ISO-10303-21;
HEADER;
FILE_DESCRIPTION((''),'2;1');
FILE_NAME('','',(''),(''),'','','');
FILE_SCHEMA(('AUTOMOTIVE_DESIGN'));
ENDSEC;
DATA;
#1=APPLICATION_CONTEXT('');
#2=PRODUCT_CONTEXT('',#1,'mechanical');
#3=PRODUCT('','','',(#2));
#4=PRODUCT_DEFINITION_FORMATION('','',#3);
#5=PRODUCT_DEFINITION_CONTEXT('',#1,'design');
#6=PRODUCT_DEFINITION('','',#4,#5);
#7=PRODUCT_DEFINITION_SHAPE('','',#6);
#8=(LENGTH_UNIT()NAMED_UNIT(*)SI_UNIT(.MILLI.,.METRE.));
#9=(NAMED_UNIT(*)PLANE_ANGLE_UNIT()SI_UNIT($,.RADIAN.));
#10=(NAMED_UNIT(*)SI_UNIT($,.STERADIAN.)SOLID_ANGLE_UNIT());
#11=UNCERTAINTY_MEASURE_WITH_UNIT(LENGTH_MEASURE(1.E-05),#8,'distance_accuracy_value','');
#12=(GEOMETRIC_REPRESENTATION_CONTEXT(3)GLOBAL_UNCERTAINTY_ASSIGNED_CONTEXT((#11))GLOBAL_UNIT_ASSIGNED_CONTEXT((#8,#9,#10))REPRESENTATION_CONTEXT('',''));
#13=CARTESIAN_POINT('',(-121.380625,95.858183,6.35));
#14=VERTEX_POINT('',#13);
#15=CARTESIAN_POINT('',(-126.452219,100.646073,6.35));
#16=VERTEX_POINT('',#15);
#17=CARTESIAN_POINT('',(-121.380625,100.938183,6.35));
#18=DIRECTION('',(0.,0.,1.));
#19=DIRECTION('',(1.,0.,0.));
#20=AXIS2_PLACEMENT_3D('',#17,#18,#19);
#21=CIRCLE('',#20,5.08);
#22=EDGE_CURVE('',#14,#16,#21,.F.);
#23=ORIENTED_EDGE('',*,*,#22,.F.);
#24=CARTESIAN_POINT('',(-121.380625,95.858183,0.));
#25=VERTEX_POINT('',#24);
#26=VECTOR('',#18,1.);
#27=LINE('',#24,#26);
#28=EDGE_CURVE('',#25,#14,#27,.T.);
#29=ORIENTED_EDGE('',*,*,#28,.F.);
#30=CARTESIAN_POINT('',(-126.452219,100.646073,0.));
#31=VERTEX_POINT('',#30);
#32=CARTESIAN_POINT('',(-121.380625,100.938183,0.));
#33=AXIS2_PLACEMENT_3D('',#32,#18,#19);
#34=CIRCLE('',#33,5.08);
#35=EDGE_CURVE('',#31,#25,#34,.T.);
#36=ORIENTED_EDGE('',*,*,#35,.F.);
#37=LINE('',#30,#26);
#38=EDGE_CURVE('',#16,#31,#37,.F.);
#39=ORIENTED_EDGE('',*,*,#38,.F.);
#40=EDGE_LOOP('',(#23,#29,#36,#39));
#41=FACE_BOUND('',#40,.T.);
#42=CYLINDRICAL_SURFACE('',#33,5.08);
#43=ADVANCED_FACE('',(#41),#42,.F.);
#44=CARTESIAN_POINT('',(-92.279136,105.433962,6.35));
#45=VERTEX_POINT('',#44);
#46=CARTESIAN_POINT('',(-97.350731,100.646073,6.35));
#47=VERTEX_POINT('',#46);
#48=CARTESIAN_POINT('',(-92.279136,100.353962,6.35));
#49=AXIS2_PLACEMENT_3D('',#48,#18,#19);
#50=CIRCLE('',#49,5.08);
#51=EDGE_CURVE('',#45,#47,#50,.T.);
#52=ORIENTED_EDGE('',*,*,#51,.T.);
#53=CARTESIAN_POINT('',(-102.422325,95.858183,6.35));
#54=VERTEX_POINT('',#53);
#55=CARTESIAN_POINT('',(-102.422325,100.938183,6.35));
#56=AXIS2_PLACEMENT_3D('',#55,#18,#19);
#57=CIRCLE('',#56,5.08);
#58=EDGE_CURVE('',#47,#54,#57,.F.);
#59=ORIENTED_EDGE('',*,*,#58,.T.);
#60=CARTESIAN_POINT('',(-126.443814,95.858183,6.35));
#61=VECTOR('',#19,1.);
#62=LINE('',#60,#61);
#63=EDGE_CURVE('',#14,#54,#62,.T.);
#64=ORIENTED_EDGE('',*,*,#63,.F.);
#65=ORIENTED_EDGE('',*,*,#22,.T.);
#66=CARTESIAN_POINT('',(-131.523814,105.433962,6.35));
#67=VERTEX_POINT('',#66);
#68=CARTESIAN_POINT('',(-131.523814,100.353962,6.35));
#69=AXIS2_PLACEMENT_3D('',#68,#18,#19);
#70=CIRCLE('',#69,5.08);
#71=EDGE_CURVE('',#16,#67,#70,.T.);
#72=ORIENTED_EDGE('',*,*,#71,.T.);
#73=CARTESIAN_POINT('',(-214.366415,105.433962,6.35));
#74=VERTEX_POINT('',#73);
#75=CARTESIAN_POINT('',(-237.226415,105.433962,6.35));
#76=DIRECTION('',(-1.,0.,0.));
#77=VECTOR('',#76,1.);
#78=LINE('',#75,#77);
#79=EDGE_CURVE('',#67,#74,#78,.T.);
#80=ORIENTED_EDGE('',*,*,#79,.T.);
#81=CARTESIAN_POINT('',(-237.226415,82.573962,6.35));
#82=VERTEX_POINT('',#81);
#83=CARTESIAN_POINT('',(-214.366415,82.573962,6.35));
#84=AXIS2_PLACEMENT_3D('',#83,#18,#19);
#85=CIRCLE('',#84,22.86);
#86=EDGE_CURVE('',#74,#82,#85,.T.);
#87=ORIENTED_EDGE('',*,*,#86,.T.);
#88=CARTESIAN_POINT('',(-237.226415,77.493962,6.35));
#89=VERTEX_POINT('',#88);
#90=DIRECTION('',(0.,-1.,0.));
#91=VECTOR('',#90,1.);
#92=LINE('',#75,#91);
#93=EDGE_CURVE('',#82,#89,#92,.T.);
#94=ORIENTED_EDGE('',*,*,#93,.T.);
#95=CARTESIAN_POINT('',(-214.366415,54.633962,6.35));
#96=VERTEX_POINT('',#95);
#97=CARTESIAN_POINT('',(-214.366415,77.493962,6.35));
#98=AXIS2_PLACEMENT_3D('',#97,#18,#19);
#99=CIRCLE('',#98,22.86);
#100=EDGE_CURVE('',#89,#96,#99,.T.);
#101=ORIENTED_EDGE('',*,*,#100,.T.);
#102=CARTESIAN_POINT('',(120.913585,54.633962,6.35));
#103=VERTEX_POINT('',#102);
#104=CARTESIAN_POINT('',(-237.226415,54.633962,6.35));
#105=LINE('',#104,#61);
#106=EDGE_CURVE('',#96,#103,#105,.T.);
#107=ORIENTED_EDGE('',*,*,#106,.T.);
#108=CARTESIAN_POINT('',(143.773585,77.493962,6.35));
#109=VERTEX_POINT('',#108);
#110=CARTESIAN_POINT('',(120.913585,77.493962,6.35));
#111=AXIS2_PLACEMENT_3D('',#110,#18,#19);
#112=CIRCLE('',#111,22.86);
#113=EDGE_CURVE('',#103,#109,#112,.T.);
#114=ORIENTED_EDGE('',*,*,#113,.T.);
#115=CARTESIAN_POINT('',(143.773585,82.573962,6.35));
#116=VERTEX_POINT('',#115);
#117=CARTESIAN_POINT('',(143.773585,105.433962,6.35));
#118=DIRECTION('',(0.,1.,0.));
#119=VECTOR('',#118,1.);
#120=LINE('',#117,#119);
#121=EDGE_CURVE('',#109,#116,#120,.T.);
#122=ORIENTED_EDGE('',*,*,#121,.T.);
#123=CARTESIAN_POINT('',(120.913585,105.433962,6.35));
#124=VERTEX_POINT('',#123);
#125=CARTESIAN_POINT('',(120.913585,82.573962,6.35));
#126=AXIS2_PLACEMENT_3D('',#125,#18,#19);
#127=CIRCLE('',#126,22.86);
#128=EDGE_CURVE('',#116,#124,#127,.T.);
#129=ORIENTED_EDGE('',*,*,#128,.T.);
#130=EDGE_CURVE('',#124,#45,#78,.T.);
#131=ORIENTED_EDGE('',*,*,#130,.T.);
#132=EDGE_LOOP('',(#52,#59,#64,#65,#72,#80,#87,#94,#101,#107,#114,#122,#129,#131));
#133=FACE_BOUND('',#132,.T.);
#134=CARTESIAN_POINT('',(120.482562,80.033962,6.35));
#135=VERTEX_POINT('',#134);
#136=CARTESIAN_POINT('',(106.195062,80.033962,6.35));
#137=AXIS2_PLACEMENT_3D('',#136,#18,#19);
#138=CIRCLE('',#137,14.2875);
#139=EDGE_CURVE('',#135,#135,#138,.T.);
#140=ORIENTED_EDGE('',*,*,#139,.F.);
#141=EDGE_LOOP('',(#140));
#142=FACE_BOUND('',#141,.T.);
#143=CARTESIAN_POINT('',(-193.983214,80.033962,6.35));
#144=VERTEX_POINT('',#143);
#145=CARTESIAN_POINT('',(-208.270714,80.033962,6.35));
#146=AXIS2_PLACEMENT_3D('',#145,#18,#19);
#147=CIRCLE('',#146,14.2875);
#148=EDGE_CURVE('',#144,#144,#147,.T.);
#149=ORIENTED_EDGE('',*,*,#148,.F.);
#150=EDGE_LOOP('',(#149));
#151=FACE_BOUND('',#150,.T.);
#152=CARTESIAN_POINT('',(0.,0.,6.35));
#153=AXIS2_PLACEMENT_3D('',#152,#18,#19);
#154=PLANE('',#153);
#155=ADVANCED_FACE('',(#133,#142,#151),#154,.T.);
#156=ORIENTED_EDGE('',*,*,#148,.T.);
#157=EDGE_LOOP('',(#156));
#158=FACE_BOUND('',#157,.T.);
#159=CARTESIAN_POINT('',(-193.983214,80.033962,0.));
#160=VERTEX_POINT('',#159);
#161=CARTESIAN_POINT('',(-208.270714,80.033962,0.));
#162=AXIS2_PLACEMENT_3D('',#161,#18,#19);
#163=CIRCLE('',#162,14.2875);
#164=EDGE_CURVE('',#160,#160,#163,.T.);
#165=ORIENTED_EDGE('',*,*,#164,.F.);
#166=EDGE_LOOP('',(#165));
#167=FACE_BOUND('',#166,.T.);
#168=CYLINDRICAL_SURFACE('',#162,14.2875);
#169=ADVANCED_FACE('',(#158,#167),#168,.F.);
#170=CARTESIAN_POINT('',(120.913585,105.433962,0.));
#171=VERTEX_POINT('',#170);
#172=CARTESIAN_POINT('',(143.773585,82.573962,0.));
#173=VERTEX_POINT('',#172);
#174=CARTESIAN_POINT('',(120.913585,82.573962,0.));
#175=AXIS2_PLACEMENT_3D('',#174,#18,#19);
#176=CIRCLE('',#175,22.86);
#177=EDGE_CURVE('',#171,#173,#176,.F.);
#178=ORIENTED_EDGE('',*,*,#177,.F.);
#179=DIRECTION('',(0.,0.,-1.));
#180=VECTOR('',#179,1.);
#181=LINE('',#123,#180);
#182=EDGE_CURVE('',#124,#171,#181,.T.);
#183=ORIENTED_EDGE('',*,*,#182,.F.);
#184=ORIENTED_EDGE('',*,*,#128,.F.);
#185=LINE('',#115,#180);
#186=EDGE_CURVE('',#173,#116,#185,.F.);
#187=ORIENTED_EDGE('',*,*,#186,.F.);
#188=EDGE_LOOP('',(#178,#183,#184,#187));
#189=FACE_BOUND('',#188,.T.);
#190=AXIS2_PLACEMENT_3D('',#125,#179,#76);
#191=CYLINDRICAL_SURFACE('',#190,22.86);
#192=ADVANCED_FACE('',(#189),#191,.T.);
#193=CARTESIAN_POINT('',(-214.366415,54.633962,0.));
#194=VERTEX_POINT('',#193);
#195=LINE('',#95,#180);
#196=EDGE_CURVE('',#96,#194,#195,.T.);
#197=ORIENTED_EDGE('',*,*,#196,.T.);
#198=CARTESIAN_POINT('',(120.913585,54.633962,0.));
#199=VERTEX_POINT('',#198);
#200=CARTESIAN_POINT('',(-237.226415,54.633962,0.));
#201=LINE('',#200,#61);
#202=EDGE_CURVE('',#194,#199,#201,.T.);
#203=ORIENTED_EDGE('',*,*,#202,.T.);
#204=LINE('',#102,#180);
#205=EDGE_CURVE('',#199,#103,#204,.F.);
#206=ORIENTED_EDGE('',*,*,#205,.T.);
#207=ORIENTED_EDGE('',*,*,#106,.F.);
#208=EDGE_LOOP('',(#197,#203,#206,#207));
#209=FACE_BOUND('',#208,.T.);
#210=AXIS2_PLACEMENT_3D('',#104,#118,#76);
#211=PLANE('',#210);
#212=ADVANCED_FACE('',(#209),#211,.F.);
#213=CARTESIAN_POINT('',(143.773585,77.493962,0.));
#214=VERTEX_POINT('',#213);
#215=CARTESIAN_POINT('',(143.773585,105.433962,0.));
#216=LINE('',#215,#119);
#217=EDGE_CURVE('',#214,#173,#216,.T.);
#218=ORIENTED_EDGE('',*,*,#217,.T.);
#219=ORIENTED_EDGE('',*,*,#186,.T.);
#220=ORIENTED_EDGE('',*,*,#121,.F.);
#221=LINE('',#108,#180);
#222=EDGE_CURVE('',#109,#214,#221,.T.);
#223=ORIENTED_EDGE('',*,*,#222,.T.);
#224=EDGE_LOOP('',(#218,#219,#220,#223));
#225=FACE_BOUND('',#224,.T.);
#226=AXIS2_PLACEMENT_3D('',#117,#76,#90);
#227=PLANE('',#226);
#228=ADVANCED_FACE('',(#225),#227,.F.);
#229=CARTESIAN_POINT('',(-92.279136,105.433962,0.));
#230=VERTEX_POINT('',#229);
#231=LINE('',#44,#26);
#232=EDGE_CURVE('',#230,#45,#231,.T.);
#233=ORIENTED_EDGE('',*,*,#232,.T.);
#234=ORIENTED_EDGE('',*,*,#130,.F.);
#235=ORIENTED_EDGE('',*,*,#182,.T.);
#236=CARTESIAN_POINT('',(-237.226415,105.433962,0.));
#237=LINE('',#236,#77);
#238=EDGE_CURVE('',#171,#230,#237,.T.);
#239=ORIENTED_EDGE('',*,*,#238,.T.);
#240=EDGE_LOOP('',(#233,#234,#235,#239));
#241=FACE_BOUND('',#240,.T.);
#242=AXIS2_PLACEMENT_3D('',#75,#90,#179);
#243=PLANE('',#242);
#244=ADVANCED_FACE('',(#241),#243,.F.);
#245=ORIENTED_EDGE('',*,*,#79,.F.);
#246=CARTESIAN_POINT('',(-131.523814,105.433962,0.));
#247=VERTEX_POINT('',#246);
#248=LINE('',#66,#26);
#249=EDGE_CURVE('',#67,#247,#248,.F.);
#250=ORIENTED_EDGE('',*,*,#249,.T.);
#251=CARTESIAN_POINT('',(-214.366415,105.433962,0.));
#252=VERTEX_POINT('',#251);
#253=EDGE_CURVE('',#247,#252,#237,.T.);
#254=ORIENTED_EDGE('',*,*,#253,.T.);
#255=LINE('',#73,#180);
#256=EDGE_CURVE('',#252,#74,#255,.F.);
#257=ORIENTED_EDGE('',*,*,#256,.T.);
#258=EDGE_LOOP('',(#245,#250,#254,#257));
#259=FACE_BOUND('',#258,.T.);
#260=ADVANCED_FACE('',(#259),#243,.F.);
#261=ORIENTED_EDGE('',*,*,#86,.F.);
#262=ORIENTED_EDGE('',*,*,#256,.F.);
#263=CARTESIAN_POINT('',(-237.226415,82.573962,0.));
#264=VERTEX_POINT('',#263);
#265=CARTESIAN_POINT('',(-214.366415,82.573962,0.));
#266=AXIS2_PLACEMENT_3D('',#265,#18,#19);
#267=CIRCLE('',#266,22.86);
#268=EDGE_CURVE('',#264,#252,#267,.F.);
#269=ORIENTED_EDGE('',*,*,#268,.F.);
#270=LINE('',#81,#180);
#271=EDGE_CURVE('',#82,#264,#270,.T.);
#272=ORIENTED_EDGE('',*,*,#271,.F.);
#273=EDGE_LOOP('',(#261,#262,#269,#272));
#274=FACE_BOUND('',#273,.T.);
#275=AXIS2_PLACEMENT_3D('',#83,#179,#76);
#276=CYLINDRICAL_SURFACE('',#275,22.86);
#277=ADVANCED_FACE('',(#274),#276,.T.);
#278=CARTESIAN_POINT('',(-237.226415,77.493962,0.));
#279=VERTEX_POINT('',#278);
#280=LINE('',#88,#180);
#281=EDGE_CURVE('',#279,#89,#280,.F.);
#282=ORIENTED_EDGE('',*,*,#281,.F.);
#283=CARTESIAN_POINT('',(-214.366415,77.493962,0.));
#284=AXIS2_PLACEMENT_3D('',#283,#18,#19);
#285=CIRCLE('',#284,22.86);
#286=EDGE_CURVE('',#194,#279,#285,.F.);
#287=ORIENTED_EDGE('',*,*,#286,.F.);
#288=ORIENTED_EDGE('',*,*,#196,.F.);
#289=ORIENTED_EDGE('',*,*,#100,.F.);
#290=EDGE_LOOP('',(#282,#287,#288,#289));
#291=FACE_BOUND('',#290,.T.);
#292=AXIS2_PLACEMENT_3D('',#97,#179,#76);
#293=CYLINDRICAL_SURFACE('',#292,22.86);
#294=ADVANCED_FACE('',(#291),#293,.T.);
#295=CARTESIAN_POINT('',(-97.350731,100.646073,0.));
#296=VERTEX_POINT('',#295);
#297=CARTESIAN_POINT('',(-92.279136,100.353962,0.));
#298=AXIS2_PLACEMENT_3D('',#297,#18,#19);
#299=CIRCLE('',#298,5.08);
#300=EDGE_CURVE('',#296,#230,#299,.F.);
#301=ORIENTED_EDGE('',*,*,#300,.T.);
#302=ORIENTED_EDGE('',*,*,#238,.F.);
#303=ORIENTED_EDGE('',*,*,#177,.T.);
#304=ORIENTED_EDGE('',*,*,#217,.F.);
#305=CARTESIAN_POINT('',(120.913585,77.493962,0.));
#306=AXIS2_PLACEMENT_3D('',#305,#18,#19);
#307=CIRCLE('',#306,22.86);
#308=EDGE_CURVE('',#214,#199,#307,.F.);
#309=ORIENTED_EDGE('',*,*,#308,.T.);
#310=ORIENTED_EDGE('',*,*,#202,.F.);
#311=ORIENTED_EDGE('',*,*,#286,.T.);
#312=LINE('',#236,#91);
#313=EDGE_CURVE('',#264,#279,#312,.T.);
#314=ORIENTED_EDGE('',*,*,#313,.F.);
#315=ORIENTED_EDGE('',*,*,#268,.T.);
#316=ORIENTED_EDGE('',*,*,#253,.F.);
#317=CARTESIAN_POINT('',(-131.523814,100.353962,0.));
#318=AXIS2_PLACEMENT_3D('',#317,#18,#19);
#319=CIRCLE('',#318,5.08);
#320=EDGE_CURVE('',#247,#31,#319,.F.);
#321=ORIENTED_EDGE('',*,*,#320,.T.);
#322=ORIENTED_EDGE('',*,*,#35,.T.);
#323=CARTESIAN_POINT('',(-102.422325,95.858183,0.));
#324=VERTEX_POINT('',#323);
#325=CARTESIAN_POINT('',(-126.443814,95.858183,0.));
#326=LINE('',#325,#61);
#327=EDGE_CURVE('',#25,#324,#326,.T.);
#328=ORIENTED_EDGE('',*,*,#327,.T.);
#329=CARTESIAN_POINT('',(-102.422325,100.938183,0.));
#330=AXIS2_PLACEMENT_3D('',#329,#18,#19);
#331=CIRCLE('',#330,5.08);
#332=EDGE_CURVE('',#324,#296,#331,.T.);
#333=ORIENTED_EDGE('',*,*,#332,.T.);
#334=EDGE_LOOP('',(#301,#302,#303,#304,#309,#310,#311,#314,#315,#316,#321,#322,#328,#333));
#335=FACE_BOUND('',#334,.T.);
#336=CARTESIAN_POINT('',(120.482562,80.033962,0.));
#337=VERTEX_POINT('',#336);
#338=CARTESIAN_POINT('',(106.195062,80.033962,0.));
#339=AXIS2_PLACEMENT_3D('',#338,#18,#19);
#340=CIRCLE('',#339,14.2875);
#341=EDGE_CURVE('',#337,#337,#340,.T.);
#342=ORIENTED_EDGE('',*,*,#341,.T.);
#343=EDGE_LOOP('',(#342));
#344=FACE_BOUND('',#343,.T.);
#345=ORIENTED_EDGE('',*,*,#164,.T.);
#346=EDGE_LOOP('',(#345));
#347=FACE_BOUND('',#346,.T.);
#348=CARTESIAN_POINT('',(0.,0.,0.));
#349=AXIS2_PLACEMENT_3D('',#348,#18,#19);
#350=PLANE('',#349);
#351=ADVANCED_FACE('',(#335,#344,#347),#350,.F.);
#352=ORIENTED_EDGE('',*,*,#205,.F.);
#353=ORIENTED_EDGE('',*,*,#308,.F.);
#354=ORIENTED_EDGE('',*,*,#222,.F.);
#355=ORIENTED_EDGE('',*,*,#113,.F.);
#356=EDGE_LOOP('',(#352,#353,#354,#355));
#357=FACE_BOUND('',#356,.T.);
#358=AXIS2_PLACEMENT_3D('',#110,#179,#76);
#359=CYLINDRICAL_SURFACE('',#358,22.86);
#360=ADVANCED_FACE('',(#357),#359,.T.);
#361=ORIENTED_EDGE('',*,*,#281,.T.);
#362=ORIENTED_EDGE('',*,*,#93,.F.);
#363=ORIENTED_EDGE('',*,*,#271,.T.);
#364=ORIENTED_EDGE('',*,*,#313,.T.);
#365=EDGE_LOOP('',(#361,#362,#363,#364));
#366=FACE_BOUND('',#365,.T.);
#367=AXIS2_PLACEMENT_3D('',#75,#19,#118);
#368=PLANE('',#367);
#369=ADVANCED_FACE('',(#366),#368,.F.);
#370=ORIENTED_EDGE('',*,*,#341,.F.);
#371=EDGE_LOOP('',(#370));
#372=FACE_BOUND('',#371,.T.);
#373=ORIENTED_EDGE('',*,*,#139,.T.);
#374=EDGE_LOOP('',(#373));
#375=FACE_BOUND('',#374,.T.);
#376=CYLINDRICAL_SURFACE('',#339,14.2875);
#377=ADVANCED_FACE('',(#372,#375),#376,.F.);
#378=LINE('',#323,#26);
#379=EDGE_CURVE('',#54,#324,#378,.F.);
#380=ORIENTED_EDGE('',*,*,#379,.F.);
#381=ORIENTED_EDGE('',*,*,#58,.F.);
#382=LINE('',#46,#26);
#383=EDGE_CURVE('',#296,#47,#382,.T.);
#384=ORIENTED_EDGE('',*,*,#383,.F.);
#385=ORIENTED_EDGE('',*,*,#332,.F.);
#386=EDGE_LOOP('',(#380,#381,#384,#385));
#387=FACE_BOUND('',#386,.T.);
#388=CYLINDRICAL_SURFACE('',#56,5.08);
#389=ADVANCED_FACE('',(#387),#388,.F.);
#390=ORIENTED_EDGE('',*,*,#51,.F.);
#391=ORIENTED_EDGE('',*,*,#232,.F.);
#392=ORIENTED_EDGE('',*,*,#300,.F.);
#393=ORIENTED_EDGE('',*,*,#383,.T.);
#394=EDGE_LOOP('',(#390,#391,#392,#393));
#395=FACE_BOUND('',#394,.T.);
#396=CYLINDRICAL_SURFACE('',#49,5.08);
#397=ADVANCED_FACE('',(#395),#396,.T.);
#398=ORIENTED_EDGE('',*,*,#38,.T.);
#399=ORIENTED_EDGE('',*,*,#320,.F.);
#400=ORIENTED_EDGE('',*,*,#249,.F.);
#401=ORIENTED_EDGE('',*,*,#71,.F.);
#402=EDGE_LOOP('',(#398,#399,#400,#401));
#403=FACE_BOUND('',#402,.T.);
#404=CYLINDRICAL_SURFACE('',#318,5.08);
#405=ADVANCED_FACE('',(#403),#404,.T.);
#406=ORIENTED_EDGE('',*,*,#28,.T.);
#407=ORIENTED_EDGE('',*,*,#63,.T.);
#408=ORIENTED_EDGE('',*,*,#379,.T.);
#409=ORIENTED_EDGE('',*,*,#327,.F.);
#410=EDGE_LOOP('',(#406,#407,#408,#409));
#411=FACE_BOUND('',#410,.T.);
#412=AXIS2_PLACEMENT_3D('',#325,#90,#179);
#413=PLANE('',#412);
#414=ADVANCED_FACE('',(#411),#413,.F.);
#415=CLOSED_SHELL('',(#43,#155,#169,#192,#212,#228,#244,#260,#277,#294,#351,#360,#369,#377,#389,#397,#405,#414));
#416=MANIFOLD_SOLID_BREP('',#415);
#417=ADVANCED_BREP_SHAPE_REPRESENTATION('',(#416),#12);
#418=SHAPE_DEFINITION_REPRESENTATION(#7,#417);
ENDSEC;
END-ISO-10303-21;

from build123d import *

# Parameters (mm, degrees)
SKETCH2_W           = 381
SKETCH2_H           = 50.8
BOSS_EXTRUDE1_DEPTH = 6.35
SKETCH3_R           = 14.2875
SKETCH3_W           = 29.084677523
SKETCH3_H           = 9.575779023
CUT_EXTRUDE1_DEPTH  = 6.35
FILLET4_R           = 22.86
FILLET5_R           = 22.86
FILLET6_R           = 22.86
FILLET7_R           = 22.86
FILLET12_R          = 5.08
FILLET13_R          = 5.08
FILLET14_R          = 5.08
FILLET15_R          = 5.08


with BuildPart() as part:
    # Sketch2 → Boss-Extrude1 (new body)
    with BuildSketch(Plane.XY):
        with Locations((-46.726415094, 80.033962264)):
            Rectangle(SKETCH2_W, SKETCH2_H)
    extrude(amount=BOSS_EXTRUDE1_DEPTH)

    # Sketch3 → Cut-Extrude1 (cut)
    with BuildSketch(Plane.XY.offset(6.35)):
        with Locations((-208.27071376, 80.033962264)):
            Circle(SKETCH3_R)
        with Locations((106.195061698, 80.033962264)):
            Circle(SKETCH3_R)
        with Locations((-111.901475121, 100.646072753)):
            Rectangle(SKETCH3_W, SKETCH3_H)
    extrude(amount=-CUT_EXTRUDE1_DEPTH, mode=Mode.SUBTRACT)

    # Fillet4
    fillet4_edges = [part.edges().sort_by_distance(p)[0] for p in [
        (143.773584906, 105.433962264, 3.175),
    ]]
    fillet(fillet4_edges, radius=FILLET4_R)

    # Fillet5
    fillet5_edges = [part.edges().sort_by_distance(p)[0] for p in [
        (143.773584906, 54.633962264, 3.175),
    ]]
    fillet(fillet5_edges, radius=FILLET5_R)

    # Fillet6
    fillet6_edges = [part.edges().sort_by_distance(p)[0] for p in [
        (-237.226415094, 54.633962264, 3.175),
    ]]
    fillet(fillet6_edges, radius=FILLET6_R)

    # Fillet7
    fillet7_edges = [part.edges().sort_by_distance(p)[0] for p in [
        (-237.226415094, 105.433962264, 3.175),
    ]]
    fillet(fillet7_edges, radius=FILLET7_R)

    # Fillet12
    fillet12_edges = [part.edges().sort_by_distance(p)[0] for p in [
        (-126.443813883, 105.433962264, 3.175),
    ]]
    fillet(fillet12_edges, radius=FILLET12_R)

    # Fillet13
    fillet13_edges = [part.edges().sort_by_distance(p)[0] for p in [
        (-97.35913636, 105.433962264, 3.175),
    ]]
    fillet(fillet13_edges, radius=FILLET13_R)

    # Fillet14
    fillet14_edges = [part.edges().sort_by_distance(p)[0] for p in [
        (-126.443813883, 95.858183241, 3.175),
    ]]
    fillet(fillet14_edges, radius=FILLET14_R)

    # Fillet15
    fillet15_edges = [part.edges().sort_by_distance(p)[0] for p in [
        (-97.35913636, 95.858183241, 3.175),
    ]]
    fillet(fillet15_edges, radius=FILLET15_R)


solid = part.part
